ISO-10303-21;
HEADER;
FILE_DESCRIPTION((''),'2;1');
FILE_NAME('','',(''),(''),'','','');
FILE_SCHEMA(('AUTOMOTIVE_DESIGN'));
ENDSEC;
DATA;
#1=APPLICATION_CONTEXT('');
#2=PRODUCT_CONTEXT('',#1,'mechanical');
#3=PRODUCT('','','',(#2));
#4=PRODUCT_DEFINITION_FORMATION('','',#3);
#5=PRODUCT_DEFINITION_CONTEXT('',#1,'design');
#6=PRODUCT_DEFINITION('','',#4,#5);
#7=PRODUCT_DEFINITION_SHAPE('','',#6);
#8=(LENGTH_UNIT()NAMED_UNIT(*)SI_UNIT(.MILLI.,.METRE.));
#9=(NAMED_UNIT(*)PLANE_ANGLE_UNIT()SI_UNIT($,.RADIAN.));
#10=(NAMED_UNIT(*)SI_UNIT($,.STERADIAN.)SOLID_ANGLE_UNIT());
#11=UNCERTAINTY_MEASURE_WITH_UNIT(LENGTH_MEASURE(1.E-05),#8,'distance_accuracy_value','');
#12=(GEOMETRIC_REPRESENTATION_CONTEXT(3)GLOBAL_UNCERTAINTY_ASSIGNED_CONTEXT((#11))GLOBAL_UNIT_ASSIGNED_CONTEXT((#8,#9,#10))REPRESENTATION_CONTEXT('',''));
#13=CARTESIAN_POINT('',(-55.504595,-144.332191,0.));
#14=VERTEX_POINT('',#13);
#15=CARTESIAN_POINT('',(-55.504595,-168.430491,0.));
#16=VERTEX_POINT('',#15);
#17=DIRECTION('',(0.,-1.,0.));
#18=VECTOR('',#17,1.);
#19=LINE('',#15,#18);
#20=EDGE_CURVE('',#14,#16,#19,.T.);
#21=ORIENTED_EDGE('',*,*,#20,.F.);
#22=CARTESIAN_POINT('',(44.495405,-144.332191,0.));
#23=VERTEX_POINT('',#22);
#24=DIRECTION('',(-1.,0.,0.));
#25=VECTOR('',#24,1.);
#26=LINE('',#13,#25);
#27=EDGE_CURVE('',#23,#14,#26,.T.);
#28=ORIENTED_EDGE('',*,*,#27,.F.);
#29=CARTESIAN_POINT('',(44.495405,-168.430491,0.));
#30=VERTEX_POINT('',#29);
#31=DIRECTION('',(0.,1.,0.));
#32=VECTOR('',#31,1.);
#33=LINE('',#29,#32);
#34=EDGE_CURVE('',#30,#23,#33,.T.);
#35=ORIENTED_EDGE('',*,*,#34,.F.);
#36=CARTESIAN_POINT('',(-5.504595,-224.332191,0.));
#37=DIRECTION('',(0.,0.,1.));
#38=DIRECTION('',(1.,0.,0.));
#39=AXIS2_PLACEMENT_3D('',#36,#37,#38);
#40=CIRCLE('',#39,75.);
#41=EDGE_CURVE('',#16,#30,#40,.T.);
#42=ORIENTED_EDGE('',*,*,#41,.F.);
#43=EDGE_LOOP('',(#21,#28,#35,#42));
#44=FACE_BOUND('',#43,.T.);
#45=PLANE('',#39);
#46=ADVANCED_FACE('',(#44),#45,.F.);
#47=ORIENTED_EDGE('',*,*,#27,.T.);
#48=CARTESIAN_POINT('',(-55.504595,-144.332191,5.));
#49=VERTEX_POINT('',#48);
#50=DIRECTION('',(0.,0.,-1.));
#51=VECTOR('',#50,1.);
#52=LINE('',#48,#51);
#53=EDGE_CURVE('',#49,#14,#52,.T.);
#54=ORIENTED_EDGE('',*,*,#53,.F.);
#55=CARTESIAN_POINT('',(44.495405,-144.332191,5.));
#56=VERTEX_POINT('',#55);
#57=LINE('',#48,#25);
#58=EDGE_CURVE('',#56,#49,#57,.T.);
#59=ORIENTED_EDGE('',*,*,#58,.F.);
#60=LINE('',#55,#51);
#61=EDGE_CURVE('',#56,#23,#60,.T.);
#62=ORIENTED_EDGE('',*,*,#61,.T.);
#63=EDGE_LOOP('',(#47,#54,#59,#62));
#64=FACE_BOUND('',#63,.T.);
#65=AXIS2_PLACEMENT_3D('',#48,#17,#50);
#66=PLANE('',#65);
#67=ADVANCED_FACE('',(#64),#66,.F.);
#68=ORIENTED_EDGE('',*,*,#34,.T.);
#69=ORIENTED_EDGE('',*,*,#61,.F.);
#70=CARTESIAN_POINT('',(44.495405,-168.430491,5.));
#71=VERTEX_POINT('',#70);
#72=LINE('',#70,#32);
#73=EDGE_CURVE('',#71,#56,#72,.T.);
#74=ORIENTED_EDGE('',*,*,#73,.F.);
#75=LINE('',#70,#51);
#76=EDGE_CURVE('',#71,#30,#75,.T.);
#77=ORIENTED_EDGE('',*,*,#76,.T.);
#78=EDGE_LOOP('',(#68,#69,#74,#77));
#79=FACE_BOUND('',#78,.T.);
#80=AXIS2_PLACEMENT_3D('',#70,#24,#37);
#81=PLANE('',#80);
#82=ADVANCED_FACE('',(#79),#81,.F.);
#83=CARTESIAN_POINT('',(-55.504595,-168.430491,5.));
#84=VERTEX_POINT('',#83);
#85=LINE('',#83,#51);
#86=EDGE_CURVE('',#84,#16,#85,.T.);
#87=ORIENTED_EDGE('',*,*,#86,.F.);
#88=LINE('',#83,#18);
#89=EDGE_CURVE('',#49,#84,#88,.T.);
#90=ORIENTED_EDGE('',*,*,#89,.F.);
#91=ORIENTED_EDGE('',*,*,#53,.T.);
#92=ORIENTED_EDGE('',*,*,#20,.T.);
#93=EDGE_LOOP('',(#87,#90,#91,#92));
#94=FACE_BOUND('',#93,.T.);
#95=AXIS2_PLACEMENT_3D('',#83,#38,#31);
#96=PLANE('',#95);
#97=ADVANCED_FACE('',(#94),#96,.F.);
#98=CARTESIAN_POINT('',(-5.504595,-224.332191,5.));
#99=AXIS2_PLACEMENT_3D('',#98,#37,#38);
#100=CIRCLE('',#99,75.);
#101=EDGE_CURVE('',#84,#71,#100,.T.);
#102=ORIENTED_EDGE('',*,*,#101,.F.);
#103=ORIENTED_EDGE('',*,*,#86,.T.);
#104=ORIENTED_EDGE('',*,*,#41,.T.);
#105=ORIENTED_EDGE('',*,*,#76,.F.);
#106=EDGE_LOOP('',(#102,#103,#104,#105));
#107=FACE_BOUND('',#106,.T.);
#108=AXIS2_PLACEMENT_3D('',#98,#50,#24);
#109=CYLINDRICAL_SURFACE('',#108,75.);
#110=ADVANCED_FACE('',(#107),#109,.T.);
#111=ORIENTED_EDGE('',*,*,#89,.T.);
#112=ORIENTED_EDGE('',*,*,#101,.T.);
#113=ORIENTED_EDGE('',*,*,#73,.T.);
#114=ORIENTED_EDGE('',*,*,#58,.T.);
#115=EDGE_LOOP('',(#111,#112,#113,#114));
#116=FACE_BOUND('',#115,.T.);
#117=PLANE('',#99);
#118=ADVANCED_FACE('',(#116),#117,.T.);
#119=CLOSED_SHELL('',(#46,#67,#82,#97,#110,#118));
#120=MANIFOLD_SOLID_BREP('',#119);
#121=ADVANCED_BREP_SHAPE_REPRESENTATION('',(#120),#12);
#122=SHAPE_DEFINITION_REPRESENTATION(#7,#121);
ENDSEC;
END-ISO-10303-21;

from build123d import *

# Parameters (mm, degrees)
RESSALTO_EXTRUS_O1_DEPTH = 5


with BuildPart() as part:
    # Esboço1 → Ressalto-extrusão1 (new body)
    with BuildSketch(Plane.XY):
        with BuildLine():
            Line((-55.504594539, -168.430491325), (-55.504594539, -144.332190763))
            Line((-55.504594539, -144.332190763), (44.495405461, -144.332190763))
            Line((44.495405461, -144.332190763), (44.495405461, -168.430491325))
            ThreePointArc((44.495405461, -168.430491325), (-5.504594539, -299.332190763), (-55.504594539, -168.430491325))
        make_face()
    extrude(amount=RESSALTO_EXTRUS_O1_DEPTH)


solid = part.part
